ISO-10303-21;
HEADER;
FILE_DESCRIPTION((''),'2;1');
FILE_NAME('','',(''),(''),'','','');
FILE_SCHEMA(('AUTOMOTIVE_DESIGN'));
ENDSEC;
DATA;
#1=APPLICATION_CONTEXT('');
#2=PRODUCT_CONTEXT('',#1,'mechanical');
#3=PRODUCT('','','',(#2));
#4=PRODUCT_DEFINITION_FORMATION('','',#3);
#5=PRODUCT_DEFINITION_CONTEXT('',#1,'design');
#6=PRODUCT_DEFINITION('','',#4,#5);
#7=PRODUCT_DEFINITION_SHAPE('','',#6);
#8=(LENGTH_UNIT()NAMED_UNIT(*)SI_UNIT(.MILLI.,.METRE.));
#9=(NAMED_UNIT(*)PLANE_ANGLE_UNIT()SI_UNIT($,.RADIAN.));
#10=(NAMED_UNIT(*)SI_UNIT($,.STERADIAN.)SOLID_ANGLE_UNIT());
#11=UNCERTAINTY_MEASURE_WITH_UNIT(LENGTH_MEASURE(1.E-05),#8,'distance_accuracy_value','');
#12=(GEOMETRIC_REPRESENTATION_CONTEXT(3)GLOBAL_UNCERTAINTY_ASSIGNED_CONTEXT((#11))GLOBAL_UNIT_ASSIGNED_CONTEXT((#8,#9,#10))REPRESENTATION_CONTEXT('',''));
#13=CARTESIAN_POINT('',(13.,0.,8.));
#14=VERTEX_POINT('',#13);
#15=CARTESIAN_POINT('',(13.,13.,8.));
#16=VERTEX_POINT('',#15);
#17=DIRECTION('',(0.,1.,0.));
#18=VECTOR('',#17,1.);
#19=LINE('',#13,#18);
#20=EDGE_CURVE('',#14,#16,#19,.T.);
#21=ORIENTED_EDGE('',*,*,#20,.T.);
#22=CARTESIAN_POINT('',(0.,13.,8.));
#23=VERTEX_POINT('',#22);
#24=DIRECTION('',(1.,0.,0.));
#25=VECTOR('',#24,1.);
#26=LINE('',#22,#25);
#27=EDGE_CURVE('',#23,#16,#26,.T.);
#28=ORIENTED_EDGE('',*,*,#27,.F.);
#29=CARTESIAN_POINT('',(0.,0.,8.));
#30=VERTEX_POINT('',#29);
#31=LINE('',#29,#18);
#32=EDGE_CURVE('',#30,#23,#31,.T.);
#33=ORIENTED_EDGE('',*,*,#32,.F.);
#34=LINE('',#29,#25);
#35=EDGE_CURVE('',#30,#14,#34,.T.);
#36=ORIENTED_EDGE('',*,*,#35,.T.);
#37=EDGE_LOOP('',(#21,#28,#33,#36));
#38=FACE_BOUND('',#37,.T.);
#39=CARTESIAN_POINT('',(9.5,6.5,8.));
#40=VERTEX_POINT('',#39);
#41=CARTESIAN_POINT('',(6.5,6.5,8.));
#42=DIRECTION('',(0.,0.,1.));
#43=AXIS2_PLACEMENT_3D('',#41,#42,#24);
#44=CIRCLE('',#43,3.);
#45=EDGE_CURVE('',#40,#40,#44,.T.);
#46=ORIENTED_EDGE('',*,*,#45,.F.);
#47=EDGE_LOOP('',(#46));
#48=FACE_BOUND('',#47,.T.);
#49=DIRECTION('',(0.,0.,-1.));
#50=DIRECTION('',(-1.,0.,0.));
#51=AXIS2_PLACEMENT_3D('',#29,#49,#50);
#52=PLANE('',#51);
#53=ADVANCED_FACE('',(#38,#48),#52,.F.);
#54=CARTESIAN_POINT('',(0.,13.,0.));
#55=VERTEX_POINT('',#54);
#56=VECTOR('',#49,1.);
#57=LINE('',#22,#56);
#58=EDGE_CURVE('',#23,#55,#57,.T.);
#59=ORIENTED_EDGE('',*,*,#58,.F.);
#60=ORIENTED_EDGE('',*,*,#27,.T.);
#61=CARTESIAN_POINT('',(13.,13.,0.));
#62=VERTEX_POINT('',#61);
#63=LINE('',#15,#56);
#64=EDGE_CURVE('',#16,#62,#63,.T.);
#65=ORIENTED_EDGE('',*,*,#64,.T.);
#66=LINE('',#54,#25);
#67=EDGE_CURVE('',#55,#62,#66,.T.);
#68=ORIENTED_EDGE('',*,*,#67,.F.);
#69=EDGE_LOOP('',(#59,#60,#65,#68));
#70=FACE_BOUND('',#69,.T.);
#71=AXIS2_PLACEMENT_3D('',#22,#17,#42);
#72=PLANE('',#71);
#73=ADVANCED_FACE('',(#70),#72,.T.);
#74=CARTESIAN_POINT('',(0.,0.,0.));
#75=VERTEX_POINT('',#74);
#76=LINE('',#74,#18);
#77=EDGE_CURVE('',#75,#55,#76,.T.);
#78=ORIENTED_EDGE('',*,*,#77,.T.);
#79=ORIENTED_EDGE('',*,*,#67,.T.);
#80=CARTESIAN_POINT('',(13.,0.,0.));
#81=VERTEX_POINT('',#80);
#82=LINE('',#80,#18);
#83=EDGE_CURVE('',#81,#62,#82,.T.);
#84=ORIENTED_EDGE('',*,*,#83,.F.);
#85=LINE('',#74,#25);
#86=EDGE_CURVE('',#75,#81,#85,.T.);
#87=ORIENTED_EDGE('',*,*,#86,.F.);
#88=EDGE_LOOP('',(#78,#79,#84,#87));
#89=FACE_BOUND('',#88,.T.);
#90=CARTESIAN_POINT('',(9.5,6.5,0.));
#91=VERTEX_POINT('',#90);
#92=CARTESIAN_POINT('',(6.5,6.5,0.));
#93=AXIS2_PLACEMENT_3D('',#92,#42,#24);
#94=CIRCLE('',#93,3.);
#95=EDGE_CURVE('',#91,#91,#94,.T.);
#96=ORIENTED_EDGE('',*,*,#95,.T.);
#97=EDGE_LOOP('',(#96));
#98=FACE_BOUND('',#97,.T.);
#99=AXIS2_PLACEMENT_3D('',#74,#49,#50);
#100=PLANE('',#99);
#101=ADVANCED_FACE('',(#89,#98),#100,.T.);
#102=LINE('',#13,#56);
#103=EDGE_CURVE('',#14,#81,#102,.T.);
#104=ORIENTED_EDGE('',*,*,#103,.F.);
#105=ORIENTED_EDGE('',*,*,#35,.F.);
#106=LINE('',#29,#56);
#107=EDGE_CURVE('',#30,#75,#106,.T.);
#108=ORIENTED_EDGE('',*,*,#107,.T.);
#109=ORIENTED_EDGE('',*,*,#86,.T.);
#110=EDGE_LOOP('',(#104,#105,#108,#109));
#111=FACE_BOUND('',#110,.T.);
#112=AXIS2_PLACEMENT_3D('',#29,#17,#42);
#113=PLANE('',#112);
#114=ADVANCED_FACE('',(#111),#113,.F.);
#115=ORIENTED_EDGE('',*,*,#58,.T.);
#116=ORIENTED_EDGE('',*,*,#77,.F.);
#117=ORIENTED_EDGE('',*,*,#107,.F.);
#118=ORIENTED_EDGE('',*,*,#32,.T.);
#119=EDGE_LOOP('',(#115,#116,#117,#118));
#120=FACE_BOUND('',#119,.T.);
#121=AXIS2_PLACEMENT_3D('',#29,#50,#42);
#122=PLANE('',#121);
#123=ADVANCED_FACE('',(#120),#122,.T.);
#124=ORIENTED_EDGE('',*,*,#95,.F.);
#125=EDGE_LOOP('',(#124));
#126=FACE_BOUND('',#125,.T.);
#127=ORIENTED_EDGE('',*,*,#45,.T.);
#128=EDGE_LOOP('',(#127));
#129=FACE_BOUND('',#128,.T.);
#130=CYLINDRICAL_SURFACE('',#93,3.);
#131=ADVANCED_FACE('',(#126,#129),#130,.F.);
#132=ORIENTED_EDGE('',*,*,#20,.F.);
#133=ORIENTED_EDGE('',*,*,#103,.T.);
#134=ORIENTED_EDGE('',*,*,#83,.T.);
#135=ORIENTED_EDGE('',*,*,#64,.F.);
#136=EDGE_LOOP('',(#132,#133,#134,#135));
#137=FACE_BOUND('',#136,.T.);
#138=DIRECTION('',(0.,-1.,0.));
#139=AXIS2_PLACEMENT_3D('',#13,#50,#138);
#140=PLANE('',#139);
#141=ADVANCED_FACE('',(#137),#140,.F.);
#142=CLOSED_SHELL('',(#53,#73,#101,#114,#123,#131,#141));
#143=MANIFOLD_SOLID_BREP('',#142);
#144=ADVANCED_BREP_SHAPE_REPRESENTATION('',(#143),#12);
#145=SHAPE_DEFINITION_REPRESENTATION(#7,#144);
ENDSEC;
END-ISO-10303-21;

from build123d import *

# Parameters (mm, degrees)
SKETCH1_W           = 13
SKETCH1_H           = 13
BOSS_EXTRUDE1_DEPTH = 8
SKETCH2_R           = 3
CUT_EXTRUDE1_DEPTH  = 8


with BuildPart() as part:
    # Sketch1 → Boss-Extrude1 (new body)
    with BuildSketch(Plane.XY):
        with Locations((6.5, 6.5)):
            Rectangle(SKETCH1_W, SKETCH1_H)
    extrude(amount=BOSS_EXTRUDE1_DEPTH)

    # Sketch2 → Cut-Extrude1 (cut)
    with BuildSketch(Plane.XY.offset(8)):
        with Locations((6.5, 6.5)):
            Circle(SKETCH2_R)
    extrude(amount=-CUT_EXTRUDE1_DEPTH, mode=Mode.SUBTRACT)


solid = part.part
